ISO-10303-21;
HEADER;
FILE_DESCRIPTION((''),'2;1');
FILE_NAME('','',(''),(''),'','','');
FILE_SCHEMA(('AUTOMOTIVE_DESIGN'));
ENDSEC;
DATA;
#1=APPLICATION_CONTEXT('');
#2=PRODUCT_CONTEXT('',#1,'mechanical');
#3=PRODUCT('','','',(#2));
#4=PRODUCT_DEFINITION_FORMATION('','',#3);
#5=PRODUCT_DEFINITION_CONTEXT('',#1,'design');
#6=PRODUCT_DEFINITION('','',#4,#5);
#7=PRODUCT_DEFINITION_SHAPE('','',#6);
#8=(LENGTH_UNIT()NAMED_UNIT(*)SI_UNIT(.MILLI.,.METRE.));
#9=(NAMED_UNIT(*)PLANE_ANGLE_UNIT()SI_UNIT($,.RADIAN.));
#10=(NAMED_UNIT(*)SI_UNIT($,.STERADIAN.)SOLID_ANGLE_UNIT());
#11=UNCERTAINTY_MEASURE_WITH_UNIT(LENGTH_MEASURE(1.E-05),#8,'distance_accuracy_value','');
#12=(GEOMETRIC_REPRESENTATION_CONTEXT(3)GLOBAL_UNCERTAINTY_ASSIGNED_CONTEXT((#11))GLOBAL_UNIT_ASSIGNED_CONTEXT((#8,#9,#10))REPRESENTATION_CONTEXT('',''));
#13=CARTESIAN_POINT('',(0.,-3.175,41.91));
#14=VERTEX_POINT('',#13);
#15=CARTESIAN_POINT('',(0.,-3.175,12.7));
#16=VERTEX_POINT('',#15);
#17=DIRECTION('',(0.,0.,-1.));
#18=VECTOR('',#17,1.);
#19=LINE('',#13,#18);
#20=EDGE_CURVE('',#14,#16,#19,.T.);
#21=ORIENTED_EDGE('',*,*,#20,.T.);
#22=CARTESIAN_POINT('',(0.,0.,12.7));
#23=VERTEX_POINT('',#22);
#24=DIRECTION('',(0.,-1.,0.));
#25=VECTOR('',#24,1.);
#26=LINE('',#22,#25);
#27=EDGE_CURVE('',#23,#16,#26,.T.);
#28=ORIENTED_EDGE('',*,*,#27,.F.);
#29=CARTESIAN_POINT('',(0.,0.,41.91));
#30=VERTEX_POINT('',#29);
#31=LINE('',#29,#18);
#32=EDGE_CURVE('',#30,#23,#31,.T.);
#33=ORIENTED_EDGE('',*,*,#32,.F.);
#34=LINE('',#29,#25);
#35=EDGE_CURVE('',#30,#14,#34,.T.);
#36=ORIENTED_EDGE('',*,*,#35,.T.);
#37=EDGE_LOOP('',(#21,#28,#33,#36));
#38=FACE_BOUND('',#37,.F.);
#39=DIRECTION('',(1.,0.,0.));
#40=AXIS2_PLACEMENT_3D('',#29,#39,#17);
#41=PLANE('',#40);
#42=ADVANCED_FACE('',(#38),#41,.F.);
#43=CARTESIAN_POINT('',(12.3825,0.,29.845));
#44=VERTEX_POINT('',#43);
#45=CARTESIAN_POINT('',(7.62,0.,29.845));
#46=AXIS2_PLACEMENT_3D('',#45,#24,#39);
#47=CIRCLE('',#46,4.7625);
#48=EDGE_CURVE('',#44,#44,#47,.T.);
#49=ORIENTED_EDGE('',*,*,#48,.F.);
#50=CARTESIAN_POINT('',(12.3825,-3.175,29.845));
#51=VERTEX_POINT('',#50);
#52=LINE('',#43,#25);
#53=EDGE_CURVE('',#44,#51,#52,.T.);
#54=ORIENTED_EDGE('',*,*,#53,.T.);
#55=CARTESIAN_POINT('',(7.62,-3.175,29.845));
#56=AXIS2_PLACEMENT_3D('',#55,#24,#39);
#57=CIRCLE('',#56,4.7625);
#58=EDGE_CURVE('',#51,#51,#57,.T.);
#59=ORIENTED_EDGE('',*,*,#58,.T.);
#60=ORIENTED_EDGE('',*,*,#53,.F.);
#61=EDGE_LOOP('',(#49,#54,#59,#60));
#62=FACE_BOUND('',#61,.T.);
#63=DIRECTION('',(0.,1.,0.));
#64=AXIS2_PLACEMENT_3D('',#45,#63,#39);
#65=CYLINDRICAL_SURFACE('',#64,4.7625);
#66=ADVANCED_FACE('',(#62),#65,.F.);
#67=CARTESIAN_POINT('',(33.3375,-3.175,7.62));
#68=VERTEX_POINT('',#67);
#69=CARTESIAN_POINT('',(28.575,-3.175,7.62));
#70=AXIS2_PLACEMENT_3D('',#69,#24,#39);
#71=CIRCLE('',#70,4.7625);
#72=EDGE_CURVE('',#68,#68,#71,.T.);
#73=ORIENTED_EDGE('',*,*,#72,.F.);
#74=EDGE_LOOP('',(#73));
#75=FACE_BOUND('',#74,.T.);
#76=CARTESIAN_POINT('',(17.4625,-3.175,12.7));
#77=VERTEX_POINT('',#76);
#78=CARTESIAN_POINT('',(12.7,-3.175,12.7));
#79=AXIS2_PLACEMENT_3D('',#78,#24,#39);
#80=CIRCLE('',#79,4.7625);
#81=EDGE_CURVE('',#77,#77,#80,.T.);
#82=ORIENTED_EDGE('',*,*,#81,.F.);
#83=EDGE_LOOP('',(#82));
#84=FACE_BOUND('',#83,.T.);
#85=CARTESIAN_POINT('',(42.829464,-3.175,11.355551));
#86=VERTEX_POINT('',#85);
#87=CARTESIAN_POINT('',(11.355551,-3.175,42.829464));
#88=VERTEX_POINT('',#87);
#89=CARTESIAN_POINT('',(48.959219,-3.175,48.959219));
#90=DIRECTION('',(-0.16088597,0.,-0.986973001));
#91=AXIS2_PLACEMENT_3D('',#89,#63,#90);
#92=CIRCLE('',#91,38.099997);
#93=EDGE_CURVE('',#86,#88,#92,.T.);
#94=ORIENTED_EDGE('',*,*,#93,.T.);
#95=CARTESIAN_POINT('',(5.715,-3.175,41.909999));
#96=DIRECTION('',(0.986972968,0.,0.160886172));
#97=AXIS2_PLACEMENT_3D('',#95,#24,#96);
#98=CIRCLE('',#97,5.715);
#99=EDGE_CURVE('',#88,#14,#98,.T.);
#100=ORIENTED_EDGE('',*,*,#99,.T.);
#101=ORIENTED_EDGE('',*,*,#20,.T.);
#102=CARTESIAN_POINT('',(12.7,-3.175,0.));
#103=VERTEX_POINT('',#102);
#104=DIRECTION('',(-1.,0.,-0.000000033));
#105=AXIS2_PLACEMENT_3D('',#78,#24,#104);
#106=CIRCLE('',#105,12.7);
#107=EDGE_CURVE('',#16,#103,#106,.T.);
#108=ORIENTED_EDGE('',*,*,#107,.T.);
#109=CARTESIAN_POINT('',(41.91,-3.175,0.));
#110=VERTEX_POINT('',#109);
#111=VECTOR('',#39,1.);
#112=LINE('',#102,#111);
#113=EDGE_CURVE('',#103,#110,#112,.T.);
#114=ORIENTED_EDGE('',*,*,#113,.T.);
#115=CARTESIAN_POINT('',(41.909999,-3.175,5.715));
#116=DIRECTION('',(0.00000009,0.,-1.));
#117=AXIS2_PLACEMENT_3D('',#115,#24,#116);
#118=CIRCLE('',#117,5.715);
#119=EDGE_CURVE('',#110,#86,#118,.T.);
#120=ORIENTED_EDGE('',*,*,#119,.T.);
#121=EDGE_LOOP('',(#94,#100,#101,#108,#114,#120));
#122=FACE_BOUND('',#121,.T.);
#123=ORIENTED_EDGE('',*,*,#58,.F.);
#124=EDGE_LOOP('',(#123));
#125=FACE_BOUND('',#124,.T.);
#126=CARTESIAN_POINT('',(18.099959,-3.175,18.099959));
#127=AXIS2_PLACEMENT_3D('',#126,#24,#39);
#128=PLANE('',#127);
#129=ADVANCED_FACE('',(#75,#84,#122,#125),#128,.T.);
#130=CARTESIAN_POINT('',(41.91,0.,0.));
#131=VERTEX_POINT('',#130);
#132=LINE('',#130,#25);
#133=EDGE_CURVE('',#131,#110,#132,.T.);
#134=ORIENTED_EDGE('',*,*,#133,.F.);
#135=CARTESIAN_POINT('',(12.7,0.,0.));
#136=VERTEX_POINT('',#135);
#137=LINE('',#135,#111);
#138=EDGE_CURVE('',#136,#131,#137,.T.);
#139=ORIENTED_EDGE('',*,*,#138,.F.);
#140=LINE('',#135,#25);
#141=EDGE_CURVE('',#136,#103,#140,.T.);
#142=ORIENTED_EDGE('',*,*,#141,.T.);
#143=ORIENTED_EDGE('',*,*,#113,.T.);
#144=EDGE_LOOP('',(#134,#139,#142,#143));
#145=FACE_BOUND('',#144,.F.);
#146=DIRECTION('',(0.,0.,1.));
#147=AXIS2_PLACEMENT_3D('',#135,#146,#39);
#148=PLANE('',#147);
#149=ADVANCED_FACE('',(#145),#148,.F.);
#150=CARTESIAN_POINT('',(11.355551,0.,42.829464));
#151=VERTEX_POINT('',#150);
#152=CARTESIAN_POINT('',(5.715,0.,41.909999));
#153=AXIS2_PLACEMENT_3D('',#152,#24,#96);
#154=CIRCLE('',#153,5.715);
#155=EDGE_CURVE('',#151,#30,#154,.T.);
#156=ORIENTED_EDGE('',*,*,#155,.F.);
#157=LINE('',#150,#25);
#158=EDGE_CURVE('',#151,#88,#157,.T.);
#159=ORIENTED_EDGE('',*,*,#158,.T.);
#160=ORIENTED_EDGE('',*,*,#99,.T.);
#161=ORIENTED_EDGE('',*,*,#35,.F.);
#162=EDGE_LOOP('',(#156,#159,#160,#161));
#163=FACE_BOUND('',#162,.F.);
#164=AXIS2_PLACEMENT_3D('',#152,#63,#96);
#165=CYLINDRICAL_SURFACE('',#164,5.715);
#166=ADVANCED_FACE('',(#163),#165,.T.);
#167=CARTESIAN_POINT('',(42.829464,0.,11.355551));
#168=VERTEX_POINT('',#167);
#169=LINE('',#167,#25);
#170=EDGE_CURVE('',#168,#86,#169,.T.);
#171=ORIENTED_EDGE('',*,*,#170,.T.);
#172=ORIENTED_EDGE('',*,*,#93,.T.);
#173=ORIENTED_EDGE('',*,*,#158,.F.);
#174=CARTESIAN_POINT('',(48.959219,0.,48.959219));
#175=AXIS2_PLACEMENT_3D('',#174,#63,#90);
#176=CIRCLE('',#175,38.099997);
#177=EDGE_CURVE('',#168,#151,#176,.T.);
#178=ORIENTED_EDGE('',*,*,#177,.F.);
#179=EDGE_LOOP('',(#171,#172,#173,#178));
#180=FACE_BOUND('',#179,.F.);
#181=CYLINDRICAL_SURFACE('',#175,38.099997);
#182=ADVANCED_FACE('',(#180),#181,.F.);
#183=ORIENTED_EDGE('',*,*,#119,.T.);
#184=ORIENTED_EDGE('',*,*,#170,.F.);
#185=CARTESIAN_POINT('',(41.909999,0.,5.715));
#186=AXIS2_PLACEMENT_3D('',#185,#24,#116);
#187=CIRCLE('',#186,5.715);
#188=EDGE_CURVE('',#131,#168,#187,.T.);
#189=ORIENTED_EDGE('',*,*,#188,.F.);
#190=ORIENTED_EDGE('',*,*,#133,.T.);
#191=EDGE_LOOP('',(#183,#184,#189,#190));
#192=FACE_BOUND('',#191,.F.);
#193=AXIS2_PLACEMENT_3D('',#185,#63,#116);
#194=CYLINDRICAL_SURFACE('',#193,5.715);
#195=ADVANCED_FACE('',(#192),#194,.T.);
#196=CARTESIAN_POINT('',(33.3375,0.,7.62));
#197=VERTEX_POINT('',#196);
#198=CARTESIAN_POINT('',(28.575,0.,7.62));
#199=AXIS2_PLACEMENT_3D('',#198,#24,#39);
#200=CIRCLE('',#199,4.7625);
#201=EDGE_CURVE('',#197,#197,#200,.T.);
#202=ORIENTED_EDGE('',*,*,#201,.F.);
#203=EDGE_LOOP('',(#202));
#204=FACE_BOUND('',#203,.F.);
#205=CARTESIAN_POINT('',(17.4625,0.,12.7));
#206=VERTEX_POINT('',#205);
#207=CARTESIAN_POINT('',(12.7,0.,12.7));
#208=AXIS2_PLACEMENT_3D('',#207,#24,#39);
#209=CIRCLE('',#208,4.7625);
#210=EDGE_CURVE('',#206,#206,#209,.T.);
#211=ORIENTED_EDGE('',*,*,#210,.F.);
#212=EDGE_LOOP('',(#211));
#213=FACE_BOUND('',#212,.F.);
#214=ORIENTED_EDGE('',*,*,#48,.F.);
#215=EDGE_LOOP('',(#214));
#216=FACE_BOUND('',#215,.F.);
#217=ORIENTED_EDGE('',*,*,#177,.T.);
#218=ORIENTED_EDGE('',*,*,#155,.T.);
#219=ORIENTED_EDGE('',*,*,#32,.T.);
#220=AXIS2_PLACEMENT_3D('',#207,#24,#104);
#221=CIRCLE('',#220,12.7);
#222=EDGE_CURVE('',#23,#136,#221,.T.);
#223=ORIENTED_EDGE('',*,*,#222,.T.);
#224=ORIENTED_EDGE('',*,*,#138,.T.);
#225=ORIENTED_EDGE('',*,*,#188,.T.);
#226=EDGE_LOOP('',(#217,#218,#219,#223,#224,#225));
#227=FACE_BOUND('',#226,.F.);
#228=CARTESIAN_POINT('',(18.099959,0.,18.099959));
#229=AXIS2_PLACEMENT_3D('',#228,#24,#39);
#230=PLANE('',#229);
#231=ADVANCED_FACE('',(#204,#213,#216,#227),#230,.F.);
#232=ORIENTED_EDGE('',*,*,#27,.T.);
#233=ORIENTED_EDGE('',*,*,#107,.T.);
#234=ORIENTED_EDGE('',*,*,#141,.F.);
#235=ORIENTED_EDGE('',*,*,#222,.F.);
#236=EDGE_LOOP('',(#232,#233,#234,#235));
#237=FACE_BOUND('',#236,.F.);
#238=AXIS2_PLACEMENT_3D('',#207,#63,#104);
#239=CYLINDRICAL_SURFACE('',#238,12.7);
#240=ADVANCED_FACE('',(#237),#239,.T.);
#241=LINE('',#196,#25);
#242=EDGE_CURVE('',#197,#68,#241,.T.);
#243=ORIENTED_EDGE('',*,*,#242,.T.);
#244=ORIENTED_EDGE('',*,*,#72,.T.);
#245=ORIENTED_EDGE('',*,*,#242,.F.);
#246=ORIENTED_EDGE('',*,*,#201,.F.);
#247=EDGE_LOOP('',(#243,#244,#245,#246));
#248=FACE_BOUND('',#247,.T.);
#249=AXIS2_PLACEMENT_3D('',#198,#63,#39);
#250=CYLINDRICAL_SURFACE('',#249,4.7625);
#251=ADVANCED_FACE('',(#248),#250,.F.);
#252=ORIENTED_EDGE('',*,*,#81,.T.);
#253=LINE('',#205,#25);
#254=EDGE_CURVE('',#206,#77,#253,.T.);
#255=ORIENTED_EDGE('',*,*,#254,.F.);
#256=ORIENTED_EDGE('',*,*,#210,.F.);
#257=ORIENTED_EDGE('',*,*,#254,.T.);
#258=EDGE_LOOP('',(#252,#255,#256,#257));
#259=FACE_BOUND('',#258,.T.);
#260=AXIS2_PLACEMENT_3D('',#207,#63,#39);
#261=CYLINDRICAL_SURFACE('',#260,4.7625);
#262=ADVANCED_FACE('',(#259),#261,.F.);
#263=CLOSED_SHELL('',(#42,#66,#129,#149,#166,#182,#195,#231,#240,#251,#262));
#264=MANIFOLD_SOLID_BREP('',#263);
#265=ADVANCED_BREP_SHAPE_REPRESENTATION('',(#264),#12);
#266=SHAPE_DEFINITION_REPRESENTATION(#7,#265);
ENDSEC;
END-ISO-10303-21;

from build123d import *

# Parameters (mm, degrees)
F0_R     = 4.7625
F1_DEPTH = 3.175


with BuildPart() as f1:
    # F0 (on Front) → F1 (new body)
    with BuildSketch(Plane.XZ):
        with BuildLine():
            ThreePointArc((42.829464, 11.355551), (22.018453, 22.018453), (11.355551, 42.829464))
            ThreePointArc((11.355551, 42.829464), (5.253764, 47.606357), (0, 41.91))
            Line((0, 41.91), (0, 12.7))
            ThreePointArc((0, 12.7), (3.719744, 3.719744), (12.7, 0))
            Line((12.7, 0), (41.91, 0))
            ThreePointArc((41.91, 0), (47.606357, 5.253764), (42.829464, 11.355551))
        make_face()
        with Locations((12.7, 12.7)):
            Circle(F0_R, mode=Mode.SUBTRACT)
        with Locations((28.575, 7.62)):
            Circle(F0_R, mode=Mode.SUBTRACT)
        with Locations((7.62, 29.845)):
            Circle(F0_R, mode=Mode.SUBTRACT)
    extrude(amount=F1_DEPTH)


solid = f1.part
